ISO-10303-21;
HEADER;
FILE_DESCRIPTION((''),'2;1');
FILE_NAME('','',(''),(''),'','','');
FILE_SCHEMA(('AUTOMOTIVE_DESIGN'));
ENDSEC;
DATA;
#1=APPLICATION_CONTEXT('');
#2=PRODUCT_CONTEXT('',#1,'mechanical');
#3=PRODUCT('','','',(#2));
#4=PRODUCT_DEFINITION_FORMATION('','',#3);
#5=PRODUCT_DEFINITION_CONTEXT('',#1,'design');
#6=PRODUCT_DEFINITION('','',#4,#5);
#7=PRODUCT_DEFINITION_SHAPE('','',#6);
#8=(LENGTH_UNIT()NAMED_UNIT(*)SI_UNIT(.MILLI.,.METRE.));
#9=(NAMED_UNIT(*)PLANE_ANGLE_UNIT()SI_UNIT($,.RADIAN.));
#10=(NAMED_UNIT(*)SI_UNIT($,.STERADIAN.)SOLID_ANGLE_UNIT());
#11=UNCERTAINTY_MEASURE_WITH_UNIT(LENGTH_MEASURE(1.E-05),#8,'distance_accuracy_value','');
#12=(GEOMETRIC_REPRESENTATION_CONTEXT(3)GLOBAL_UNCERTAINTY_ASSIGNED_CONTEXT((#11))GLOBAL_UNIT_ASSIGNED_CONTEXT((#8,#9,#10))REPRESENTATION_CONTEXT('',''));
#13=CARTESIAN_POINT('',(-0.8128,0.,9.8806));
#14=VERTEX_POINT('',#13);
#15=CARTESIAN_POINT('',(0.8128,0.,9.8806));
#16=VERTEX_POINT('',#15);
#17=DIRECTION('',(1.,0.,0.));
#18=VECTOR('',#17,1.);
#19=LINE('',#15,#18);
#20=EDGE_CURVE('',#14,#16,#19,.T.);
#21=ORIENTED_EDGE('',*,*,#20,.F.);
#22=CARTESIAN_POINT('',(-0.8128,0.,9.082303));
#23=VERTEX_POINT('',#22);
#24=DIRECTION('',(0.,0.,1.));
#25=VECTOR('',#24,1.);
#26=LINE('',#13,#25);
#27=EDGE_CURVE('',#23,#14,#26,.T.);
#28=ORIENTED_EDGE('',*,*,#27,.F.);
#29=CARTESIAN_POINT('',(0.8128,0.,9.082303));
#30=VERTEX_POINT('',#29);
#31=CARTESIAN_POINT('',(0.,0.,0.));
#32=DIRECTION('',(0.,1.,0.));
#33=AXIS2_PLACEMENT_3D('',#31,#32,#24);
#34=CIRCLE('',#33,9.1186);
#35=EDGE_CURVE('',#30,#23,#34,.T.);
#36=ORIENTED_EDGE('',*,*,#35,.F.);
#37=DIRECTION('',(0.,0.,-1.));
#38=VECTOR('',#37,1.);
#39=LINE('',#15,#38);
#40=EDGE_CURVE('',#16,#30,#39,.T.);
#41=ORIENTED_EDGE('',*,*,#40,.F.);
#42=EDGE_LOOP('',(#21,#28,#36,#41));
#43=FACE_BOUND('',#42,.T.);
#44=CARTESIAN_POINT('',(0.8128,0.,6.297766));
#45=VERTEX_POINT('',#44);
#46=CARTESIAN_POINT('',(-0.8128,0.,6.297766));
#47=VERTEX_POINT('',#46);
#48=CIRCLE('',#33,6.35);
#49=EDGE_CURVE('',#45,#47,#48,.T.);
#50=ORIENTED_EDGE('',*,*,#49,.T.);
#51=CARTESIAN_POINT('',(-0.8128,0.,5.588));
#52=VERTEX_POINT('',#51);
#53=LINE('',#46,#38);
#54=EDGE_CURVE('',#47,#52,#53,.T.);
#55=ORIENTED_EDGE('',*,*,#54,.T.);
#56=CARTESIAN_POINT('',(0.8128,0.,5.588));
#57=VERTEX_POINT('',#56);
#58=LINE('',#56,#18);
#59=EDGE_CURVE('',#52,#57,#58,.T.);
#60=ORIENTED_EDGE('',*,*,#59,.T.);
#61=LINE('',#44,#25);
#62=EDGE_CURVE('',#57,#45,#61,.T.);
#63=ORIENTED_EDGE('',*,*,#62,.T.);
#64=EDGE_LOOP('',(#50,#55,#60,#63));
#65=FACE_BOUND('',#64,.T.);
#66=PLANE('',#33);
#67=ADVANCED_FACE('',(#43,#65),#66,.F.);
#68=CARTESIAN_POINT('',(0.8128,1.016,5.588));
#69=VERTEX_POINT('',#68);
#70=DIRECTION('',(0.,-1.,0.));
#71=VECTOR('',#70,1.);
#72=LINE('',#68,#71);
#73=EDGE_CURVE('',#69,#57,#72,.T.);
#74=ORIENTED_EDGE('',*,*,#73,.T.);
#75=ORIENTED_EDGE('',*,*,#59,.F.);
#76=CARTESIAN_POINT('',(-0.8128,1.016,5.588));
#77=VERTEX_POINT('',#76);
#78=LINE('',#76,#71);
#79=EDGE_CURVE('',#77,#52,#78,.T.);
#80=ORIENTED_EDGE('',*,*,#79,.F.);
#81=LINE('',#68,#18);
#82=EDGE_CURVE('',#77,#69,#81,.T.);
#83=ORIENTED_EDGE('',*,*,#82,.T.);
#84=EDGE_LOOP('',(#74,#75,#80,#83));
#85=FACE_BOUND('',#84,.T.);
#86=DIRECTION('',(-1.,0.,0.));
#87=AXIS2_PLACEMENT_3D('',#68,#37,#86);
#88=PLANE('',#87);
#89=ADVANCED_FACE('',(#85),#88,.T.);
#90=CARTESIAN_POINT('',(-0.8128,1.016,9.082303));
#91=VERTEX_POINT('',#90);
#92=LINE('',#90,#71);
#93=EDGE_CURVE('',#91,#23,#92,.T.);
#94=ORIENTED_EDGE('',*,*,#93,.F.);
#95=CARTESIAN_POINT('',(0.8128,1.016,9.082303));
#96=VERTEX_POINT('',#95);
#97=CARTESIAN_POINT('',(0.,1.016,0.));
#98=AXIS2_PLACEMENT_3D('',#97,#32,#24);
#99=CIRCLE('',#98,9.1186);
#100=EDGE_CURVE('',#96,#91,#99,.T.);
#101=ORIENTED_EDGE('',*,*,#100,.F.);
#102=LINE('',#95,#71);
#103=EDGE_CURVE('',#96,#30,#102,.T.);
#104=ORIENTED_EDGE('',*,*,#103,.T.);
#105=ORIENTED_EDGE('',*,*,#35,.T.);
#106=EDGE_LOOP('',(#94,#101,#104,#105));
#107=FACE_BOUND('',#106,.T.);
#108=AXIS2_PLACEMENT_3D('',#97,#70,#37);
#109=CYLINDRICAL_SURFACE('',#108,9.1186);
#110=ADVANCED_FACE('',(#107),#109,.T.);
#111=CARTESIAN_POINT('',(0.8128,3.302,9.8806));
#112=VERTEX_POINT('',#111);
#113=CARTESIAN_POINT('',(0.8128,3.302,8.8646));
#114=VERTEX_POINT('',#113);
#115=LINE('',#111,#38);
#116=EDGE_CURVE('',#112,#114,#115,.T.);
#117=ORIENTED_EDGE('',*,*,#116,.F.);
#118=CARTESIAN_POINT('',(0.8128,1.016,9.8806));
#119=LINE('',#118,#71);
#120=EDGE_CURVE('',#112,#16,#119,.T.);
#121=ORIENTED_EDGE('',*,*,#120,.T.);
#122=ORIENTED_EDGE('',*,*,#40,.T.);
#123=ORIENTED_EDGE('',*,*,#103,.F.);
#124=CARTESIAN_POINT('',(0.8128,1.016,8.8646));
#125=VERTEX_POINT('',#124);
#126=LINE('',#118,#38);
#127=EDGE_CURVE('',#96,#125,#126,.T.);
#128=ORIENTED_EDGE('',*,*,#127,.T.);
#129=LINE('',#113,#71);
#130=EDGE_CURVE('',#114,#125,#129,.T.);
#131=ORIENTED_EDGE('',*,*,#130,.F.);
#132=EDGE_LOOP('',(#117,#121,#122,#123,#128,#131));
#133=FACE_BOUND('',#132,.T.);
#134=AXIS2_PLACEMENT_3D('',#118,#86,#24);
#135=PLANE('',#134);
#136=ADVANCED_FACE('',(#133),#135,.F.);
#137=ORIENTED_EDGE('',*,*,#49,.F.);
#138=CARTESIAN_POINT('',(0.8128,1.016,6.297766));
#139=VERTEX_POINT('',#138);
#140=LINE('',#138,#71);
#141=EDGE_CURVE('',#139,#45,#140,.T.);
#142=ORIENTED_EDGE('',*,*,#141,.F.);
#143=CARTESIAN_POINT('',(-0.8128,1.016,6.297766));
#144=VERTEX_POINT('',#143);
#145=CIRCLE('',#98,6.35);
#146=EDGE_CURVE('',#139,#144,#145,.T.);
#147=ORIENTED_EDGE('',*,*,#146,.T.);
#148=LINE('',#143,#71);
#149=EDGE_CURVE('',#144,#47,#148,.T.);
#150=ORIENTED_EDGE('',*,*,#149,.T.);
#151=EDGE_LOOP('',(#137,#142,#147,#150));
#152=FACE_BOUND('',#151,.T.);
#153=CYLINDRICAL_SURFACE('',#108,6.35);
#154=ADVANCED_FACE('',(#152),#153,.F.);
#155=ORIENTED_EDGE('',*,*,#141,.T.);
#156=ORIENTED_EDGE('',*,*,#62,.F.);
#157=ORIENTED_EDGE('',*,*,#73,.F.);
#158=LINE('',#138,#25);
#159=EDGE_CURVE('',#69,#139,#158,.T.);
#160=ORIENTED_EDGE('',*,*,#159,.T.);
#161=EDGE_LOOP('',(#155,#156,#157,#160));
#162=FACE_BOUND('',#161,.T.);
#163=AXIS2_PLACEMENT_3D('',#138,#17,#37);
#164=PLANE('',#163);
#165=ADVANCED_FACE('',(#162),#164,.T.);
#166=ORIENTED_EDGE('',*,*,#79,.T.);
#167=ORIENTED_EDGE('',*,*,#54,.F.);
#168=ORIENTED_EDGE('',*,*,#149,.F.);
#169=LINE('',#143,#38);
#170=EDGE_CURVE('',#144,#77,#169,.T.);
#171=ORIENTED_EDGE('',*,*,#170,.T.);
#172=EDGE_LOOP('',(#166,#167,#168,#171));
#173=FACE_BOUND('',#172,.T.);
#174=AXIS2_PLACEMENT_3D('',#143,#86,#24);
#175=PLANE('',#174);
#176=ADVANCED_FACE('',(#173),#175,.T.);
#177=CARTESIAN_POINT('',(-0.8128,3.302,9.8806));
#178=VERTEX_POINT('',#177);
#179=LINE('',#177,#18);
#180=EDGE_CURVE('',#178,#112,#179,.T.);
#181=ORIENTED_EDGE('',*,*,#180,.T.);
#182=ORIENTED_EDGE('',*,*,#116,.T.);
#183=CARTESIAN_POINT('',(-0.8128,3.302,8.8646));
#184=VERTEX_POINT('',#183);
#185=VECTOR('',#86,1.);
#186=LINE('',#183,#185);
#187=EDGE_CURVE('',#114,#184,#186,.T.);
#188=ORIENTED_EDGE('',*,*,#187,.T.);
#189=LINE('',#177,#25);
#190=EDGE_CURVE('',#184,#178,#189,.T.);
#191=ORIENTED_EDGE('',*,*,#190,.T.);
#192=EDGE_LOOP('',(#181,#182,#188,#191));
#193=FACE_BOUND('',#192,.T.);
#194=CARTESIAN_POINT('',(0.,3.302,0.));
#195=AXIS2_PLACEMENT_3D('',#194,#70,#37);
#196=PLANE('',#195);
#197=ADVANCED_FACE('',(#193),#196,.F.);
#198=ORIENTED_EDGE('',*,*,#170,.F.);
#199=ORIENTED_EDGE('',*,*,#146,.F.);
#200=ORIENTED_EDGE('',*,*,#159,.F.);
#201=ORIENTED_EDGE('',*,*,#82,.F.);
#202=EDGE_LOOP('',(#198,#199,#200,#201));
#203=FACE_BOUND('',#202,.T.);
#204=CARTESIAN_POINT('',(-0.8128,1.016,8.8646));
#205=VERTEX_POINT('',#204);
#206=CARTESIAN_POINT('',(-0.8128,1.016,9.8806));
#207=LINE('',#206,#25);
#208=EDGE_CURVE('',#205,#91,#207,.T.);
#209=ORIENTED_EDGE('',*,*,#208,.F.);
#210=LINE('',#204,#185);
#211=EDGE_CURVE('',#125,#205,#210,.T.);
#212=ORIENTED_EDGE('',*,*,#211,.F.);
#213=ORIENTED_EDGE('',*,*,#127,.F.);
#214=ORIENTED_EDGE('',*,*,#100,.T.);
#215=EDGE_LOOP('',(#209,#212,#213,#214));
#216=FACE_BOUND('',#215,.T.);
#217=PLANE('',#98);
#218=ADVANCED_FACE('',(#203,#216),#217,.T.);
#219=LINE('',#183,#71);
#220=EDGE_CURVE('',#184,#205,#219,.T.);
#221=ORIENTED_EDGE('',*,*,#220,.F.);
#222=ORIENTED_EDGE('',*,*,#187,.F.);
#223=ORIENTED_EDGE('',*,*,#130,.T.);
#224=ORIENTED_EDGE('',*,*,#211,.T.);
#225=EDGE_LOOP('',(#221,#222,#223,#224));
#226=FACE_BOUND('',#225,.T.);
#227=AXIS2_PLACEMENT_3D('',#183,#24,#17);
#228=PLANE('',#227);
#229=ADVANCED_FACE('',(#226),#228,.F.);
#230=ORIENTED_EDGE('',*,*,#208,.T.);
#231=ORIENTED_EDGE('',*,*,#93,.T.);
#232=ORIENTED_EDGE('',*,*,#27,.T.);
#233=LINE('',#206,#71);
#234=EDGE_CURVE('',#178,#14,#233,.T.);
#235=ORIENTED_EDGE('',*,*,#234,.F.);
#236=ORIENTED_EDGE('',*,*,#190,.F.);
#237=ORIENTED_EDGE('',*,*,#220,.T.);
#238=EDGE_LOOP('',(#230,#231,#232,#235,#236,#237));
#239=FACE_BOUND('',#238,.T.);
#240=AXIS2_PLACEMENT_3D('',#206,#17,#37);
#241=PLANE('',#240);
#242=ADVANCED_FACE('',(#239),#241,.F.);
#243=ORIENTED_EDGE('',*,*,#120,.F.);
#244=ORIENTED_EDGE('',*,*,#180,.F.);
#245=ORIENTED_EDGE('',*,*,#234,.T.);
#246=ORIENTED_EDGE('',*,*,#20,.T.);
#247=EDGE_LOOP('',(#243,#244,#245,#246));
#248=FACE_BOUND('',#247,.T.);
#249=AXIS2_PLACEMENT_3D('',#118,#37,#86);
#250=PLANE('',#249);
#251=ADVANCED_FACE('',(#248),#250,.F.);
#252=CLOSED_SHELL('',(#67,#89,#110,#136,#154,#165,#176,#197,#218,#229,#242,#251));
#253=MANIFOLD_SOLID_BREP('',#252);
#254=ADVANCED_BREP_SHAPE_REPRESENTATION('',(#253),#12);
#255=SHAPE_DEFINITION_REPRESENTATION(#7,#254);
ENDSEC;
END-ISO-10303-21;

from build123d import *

# Parameters (mm, degrees)
BOSS_EXTRUDE1_DEPTH = 1.016
SKETCH2_W           = 1.6256
SKETCH2_H           = 1.016
BOSS_EXTRUDE2_DEPTH = 2.286


with BuildPart() as part:
    # Sketch1 → Boss-Extrude1 (new body)
    with BuildSketch(Plane(origin=(0, 0, 0), x_dir=(1, 0, 0), z_dir=(0, 1, 0))):
        with BuildLine():
            Line((0.8128, -9.8806), (-0.8128, -9.8806))
            Line((-0.8128, -9.8806), (-0.8128, -9.082302688))
            ThreePointArc((-0.8128, -9.082302688), (0, 9.1186), (0.8128, -9.082302688))
            Line((0.8128, -9.082302688), (0.8128, -9.8806))
        make_face()
        with BuildLine():
            Line((0.8128, -6.297765966), (0.8128, -5.588))
            Line((0.8128, -5.588), (-0.8128, -5.588))
            Line((-0.8128, -5.588), (-0.8128, -6.297765966))
            ThreePointArc((-0.8128, -6.297765966), (0, 6.35), (0.8128, -6.297765966))
        make_face(mode=Mode.SUBTRACT)
    extrude(amount=BOSS_EXTRUDE1_DEPTH)

    # Sketch2 → Boss-Extrude2 (add)
    with BuildSketch(Plane(origin=(0, 1.016, 0), x_dir=(1, 0, 0), z_dir=(0, 1, 0))):
        with Locations((0, -9.3726)):
            Rectangle(SKETCH2_W, SKETCH2_H)
    extrude(amount=BOSS_EXTRUDE2_DEPTH)


solid = part.part
